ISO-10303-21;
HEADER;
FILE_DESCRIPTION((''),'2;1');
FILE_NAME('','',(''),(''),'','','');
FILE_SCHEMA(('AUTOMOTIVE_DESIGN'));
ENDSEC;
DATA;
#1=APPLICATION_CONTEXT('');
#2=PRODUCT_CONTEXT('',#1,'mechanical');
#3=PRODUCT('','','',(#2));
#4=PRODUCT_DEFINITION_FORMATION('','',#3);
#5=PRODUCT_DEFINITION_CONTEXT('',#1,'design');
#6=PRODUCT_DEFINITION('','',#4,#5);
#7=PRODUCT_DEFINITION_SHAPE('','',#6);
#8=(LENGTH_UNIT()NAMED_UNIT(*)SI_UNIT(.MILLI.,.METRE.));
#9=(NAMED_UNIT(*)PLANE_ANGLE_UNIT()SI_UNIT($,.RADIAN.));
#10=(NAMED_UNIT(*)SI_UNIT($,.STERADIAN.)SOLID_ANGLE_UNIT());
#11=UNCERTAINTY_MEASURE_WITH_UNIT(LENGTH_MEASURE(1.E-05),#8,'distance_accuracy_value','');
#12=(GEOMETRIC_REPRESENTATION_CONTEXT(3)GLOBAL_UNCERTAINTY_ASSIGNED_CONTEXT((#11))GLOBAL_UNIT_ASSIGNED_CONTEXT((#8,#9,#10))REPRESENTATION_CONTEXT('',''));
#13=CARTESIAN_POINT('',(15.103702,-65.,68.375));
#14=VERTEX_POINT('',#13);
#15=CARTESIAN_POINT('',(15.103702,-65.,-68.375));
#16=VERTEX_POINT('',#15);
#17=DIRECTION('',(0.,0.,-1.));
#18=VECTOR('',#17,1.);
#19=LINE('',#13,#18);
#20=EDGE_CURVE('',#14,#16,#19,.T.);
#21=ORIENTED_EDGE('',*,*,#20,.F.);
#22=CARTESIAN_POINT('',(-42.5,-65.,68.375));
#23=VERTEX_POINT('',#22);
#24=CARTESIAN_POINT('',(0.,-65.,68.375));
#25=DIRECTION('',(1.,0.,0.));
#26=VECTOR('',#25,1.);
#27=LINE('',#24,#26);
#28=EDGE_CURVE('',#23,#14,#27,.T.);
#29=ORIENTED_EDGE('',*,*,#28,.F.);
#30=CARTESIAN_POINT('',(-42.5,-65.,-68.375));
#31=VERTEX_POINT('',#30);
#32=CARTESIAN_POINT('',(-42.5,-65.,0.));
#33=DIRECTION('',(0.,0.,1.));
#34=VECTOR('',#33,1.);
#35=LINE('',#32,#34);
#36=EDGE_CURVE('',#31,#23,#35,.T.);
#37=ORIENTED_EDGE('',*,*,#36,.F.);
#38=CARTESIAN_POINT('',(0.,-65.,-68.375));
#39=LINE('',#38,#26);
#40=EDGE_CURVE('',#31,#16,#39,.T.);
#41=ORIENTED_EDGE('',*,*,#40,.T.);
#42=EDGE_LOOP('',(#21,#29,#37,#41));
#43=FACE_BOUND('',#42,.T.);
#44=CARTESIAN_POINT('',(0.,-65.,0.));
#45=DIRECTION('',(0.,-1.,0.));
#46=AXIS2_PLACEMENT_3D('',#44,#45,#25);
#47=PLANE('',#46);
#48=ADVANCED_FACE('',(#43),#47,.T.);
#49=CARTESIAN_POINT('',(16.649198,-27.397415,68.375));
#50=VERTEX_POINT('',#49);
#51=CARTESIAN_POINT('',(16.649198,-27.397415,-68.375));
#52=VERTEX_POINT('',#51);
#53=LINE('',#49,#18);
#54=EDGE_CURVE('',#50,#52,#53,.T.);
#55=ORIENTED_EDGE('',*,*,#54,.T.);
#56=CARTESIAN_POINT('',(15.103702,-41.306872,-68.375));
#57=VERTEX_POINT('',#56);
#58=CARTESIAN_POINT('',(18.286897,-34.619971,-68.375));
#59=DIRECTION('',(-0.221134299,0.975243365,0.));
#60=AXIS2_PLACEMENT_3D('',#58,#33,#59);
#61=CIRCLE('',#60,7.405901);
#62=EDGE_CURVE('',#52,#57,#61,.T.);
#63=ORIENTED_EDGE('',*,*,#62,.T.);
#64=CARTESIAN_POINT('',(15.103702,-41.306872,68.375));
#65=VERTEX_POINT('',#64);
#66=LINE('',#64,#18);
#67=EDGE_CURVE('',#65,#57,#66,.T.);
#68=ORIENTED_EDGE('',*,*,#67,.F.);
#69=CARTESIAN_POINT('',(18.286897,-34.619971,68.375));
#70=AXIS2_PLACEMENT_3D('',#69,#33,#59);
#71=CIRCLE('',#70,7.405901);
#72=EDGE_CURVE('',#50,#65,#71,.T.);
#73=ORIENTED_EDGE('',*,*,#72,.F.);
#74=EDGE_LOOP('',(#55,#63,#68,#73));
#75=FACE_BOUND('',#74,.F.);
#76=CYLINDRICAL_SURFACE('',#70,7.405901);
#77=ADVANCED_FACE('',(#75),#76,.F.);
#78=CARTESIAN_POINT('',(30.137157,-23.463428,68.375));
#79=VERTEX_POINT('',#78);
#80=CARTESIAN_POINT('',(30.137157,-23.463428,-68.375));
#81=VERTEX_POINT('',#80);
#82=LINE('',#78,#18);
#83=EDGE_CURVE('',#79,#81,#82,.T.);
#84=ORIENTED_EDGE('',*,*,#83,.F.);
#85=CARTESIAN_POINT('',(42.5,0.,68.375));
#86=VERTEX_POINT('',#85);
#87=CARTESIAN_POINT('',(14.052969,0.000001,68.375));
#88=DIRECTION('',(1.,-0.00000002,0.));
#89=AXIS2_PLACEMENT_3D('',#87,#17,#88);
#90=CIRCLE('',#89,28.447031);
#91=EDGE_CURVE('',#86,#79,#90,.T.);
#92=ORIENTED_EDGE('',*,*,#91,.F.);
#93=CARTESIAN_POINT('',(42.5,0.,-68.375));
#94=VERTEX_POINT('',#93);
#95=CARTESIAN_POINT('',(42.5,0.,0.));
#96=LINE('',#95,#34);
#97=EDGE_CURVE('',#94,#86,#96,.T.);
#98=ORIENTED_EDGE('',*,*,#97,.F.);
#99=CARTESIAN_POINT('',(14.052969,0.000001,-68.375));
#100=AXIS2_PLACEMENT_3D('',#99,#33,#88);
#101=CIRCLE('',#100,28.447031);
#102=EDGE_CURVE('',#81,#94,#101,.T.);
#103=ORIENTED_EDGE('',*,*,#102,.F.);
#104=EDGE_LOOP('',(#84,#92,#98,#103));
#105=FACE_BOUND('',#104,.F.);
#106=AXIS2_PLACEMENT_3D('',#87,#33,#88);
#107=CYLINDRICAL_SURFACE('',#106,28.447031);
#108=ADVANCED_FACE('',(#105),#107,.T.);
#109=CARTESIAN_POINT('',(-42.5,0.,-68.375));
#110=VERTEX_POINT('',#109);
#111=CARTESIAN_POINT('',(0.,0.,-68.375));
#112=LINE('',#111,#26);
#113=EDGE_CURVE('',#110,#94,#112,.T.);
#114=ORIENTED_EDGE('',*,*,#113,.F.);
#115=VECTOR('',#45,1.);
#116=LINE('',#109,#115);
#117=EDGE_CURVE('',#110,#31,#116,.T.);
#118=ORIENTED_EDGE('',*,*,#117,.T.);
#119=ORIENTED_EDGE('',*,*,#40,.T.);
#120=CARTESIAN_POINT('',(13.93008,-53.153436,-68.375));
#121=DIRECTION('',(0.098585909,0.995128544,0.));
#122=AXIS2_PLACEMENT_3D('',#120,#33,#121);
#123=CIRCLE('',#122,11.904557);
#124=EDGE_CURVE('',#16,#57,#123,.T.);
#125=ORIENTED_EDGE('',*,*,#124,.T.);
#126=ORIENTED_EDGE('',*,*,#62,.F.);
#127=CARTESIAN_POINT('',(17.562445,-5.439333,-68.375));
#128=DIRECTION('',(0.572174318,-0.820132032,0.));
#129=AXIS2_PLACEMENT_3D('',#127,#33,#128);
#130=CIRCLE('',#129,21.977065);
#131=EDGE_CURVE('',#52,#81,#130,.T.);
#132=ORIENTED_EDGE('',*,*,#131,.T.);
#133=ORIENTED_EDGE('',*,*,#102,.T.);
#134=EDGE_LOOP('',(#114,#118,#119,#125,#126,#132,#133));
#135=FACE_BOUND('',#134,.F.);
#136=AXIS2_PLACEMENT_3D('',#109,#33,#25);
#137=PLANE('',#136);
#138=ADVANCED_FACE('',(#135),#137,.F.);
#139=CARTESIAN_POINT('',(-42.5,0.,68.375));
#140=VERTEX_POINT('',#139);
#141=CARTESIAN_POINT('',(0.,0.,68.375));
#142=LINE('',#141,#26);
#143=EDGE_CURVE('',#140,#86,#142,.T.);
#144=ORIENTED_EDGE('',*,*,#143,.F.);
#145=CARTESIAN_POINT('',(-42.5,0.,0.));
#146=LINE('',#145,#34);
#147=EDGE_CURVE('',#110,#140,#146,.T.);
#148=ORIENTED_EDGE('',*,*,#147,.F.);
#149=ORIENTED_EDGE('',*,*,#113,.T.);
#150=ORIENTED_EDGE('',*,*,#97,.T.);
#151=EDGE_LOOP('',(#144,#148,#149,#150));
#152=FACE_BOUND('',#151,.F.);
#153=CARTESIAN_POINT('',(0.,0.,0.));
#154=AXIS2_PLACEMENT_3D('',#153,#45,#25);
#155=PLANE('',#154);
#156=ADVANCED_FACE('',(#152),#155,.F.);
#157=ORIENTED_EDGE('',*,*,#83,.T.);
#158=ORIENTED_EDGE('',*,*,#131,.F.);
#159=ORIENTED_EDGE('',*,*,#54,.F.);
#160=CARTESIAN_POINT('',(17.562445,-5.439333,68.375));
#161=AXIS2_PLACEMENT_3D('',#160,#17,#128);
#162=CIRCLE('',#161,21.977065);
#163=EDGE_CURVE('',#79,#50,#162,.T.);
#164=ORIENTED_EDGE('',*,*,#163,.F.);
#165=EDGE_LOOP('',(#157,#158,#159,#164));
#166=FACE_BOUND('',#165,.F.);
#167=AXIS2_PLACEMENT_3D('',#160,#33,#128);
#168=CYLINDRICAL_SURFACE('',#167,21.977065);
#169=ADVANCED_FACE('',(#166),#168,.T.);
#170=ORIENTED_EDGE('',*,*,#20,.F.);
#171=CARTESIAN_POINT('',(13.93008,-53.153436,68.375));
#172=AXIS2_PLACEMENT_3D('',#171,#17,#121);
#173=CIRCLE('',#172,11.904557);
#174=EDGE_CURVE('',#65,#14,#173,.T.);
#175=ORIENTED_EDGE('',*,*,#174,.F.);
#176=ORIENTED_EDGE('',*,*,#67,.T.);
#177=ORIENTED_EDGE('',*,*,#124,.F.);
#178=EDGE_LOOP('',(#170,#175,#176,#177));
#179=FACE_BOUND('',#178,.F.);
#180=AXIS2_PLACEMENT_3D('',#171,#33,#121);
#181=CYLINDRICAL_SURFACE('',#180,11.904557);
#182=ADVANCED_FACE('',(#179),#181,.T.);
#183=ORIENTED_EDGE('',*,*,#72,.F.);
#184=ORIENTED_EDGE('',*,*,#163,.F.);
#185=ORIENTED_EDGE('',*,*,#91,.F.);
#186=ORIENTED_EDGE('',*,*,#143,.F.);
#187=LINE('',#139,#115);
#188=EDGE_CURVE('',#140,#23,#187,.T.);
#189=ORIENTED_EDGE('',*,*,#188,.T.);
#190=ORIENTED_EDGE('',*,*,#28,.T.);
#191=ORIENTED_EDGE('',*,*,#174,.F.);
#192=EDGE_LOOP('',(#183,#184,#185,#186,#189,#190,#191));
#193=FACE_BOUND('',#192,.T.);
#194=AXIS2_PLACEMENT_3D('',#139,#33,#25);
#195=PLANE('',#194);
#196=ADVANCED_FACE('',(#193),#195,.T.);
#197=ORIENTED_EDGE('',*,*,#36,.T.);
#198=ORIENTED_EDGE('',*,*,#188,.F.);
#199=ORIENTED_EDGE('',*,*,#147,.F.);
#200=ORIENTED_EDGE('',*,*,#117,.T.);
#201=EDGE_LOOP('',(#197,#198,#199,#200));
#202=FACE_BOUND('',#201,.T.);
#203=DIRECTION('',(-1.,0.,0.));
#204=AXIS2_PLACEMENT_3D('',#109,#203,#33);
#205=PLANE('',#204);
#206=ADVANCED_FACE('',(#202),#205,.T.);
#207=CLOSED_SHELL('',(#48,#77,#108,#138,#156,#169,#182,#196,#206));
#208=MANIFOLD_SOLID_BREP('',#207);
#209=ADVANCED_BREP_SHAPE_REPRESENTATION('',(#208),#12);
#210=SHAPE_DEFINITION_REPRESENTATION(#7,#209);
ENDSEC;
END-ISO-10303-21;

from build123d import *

# Parameters (mm, degrees)
F0_W     = 85
F0_H     = 136.75
F1_DEPTH = 65
F3_DEPTH = 200


with BuildPart() as f1:
    # F0 (on Front) → F1 (new body)
    with BuildSketch(Plane.XZ):
        Rectangle(F0_W, F0_H)
    extrude(amount=F1_DEPTH)

    # F2 (on face) → F3 (cut)
    with BuildSketch(Plane.XY.offset(68.375)):
        with BuildLine():
            ThreePointArc((42.5, 0), (39.220219, -13.260584), (30.137157, -23.463428))
            ThreePointArc((30.137157, -23.463428), (23.716021, -26.537316), (16.649198, -27.397415))
            ThreePointArc((16.649198, -27.397415), (10.926292, -33.802126), (15.103702, -41.306872))
            ThreePointArc((15.103702, -41.306872), (25.834637, -53.153436), (15.103702, -65))
            Line((15.103702, -65), (42.5, -65))
            Line((42.5, -65), (42.5, 0))
        make_face()
    extrude(amount=-F3_DEPTH, mode=Mode.SUBTRACT)


solid = f1.part
